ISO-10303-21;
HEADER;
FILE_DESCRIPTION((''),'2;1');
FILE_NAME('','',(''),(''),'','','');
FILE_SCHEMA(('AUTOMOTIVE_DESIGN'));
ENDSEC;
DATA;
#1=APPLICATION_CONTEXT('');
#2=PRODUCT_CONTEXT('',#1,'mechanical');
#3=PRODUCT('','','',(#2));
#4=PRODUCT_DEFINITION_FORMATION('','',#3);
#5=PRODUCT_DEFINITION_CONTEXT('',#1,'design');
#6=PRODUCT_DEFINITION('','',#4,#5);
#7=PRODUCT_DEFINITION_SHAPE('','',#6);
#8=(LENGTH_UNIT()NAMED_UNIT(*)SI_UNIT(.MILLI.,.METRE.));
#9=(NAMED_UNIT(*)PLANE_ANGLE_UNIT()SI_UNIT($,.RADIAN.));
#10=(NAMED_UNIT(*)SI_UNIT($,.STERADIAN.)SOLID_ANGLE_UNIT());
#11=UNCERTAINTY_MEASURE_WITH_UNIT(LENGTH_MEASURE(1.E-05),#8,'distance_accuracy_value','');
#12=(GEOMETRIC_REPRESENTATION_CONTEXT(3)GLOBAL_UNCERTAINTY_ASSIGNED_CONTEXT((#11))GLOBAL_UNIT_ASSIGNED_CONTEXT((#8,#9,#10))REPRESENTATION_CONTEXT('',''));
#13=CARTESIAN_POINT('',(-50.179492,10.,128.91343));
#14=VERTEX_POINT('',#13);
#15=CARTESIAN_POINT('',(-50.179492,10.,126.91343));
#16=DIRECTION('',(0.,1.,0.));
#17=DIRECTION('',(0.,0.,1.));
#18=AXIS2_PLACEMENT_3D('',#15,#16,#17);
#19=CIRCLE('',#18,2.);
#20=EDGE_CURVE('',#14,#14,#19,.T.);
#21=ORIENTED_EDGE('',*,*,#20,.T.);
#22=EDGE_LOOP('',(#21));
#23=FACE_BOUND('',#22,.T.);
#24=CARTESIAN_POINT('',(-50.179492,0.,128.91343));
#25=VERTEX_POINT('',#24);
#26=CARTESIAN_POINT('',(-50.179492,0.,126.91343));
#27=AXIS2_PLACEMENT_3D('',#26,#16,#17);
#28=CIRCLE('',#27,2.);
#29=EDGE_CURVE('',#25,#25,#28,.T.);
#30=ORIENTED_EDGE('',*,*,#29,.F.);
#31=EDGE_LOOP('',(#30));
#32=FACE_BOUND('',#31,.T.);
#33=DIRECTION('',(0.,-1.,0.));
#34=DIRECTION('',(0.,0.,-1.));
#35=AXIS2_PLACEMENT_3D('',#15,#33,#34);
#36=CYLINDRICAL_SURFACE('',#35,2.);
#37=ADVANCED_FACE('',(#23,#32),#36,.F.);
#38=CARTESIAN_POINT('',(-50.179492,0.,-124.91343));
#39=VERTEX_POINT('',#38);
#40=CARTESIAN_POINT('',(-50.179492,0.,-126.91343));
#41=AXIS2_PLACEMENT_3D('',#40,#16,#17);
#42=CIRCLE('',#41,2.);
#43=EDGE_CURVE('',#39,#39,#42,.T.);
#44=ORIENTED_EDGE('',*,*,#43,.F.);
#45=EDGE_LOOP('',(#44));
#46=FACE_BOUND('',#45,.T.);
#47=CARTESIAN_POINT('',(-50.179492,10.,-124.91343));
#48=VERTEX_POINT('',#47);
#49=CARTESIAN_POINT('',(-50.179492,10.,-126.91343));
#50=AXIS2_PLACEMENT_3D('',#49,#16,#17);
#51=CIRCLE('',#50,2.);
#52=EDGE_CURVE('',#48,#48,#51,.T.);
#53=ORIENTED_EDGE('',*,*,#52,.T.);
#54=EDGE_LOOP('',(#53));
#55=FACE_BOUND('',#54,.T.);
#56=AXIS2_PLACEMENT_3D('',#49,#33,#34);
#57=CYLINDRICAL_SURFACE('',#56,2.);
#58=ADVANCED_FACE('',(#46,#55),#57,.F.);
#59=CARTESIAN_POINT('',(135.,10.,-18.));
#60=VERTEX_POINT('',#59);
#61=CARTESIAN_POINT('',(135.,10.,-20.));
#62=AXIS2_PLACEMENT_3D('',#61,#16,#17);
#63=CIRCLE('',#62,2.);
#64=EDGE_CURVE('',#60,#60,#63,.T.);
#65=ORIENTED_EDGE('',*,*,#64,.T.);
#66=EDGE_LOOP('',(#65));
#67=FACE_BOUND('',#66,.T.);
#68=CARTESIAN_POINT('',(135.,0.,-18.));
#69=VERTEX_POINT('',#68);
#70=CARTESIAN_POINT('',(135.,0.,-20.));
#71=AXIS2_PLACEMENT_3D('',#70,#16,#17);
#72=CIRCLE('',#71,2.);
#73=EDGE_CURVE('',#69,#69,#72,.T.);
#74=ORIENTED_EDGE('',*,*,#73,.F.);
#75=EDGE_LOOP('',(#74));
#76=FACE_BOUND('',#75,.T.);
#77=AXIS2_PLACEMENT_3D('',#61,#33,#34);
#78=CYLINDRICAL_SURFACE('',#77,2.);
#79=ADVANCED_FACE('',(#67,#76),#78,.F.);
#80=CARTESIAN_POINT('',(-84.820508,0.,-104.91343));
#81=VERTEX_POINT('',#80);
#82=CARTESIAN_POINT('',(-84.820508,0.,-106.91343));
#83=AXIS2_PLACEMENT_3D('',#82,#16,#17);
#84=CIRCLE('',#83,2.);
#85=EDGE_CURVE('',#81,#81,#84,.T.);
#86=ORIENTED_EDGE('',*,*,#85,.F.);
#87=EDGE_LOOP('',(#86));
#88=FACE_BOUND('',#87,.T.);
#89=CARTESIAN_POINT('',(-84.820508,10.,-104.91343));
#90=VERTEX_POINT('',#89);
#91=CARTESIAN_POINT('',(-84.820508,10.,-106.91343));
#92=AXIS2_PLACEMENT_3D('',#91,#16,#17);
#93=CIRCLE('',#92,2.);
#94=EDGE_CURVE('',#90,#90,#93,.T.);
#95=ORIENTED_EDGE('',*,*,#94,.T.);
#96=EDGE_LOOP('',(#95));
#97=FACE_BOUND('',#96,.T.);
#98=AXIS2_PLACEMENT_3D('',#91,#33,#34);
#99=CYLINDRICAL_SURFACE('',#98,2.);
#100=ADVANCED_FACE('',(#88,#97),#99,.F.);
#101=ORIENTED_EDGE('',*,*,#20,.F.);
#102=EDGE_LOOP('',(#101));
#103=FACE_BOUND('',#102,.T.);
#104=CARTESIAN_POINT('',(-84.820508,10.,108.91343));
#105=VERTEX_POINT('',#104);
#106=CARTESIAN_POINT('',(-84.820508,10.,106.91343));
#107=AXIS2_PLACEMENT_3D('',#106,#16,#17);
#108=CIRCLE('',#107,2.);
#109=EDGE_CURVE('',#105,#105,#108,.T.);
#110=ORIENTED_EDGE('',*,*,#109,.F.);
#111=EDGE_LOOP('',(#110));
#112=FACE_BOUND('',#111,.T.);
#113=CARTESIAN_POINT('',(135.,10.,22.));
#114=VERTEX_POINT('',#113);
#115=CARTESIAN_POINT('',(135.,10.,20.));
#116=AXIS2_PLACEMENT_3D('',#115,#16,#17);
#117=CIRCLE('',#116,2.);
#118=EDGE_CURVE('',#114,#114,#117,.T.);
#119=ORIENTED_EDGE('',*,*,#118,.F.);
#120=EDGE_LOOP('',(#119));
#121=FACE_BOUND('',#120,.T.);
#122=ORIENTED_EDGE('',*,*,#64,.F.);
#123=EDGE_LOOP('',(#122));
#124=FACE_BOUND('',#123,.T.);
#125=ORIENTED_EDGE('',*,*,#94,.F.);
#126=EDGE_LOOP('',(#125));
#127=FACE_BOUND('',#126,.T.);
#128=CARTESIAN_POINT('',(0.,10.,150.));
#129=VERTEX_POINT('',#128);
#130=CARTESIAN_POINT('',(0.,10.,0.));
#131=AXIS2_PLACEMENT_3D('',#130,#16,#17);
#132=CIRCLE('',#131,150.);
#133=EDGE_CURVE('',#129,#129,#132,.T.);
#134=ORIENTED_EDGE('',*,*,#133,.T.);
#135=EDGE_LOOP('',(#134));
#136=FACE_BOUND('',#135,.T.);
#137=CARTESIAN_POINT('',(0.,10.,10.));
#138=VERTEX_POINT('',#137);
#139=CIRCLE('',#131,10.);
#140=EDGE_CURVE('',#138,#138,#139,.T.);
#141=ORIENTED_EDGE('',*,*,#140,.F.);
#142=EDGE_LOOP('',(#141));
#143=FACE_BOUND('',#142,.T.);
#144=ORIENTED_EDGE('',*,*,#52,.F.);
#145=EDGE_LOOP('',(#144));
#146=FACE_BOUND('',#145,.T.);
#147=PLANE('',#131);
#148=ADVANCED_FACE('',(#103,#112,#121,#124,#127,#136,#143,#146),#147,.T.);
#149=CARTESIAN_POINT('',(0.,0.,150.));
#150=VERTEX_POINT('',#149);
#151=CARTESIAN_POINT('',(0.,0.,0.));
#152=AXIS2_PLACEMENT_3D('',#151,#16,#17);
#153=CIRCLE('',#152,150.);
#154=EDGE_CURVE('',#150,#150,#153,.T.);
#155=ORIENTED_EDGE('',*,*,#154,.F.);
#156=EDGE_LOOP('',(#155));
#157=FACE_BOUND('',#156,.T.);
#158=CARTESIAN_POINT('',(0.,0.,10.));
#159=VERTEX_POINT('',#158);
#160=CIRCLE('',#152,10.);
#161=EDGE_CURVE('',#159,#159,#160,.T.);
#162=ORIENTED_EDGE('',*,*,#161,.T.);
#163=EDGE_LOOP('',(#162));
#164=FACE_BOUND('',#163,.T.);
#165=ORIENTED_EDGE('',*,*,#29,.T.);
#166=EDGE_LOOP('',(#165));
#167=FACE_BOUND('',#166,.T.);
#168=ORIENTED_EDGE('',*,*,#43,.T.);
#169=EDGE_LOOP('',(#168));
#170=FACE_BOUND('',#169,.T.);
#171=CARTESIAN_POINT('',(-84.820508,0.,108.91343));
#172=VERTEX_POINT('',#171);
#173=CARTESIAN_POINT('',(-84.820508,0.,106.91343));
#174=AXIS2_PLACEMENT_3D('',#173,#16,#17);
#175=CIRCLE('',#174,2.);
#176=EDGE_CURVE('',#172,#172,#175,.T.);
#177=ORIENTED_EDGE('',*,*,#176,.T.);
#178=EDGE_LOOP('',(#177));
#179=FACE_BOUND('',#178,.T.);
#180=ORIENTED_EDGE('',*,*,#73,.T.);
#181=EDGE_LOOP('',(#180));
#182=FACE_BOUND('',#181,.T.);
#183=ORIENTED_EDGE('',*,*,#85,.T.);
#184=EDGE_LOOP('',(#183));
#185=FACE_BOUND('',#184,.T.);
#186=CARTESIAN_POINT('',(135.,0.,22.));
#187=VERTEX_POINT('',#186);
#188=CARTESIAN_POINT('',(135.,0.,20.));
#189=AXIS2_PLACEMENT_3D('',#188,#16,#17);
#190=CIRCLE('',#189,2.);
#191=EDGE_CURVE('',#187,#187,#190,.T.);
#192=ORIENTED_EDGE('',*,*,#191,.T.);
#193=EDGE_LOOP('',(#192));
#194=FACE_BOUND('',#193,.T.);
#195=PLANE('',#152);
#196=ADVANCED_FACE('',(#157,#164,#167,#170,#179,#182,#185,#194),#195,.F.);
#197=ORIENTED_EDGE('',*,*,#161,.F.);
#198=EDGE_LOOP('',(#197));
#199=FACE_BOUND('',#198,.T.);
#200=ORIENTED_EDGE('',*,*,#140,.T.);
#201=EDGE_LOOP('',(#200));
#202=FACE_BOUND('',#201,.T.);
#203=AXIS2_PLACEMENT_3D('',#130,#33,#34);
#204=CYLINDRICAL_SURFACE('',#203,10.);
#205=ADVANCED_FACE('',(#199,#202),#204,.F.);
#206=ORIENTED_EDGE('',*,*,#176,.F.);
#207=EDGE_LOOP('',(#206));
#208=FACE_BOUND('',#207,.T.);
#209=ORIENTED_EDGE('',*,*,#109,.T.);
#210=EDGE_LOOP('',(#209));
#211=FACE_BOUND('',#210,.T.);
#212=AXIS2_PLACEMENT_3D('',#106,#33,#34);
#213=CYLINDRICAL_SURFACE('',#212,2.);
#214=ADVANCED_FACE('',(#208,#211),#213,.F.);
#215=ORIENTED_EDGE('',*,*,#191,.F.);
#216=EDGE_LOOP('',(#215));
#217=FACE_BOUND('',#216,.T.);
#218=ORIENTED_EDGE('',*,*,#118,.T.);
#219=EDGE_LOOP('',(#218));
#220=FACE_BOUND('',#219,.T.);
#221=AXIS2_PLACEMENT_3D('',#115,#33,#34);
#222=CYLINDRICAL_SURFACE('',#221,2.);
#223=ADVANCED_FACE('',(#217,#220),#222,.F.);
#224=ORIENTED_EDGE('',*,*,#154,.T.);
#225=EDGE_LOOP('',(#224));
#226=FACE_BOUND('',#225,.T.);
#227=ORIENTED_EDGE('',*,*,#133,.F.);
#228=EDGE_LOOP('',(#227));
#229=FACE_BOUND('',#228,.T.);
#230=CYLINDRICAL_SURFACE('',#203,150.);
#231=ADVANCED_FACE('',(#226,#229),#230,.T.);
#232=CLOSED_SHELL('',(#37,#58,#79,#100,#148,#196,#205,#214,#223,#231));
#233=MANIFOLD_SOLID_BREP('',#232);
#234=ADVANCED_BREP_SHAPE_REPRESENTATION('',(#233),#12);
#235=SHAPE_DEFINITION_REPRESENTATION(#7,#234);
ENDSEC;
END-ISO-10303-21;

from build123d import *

# Parameters (mm, degrees)
SKETCH1_R           = 150
SKETCH1_R_2         = 10
SKETCH1_R_3         = 2
BOSS_EXTRUDE1_DEPTH = 10


with BuildPart() as part:
    # Sketch1 → Boss-Extrude1 (new body)
    with BuildSketch(Plane(origin=(0, 0, 0), x_dir=(1, 0, 0), z_dir=(0, 1, 0))):
        Circle(SKETCH1_R)
        Circle(SKETCH1_R_2, mode=Mode.SUBTRACT)
        with Locations((135, 20)):
            Circle(SKETCH1_R_3, mode=Mode.SUBTRACT)
        with Locations((135, -20)):
            Circle(SKETCH1_R_3, mode=Mode.SUBTRACT)
        with Locations((-50.179491924, -126.913429511)):
            Circle(SKETCH1_R_3, mode=Mode.SUBTRACT)
        with Locations((-84.820508076, -106.913429511)):
            Circle(SKETCH1_R_3, mode=Mode.SUBTRACT)
        with Locations((-84.820508076, 106.913429511)):
            Circle(SKETCH1_R_3, mode=Mode.SUBTRACT)
        with Locations((-50.179491924, 126.913429511)):
            Circle(SKETCH1_R_3, mode=Mode.SUBTRACT)
    extrude(amount=BOSS_EXTRUDE1_DEPTH)


solid = part.part
